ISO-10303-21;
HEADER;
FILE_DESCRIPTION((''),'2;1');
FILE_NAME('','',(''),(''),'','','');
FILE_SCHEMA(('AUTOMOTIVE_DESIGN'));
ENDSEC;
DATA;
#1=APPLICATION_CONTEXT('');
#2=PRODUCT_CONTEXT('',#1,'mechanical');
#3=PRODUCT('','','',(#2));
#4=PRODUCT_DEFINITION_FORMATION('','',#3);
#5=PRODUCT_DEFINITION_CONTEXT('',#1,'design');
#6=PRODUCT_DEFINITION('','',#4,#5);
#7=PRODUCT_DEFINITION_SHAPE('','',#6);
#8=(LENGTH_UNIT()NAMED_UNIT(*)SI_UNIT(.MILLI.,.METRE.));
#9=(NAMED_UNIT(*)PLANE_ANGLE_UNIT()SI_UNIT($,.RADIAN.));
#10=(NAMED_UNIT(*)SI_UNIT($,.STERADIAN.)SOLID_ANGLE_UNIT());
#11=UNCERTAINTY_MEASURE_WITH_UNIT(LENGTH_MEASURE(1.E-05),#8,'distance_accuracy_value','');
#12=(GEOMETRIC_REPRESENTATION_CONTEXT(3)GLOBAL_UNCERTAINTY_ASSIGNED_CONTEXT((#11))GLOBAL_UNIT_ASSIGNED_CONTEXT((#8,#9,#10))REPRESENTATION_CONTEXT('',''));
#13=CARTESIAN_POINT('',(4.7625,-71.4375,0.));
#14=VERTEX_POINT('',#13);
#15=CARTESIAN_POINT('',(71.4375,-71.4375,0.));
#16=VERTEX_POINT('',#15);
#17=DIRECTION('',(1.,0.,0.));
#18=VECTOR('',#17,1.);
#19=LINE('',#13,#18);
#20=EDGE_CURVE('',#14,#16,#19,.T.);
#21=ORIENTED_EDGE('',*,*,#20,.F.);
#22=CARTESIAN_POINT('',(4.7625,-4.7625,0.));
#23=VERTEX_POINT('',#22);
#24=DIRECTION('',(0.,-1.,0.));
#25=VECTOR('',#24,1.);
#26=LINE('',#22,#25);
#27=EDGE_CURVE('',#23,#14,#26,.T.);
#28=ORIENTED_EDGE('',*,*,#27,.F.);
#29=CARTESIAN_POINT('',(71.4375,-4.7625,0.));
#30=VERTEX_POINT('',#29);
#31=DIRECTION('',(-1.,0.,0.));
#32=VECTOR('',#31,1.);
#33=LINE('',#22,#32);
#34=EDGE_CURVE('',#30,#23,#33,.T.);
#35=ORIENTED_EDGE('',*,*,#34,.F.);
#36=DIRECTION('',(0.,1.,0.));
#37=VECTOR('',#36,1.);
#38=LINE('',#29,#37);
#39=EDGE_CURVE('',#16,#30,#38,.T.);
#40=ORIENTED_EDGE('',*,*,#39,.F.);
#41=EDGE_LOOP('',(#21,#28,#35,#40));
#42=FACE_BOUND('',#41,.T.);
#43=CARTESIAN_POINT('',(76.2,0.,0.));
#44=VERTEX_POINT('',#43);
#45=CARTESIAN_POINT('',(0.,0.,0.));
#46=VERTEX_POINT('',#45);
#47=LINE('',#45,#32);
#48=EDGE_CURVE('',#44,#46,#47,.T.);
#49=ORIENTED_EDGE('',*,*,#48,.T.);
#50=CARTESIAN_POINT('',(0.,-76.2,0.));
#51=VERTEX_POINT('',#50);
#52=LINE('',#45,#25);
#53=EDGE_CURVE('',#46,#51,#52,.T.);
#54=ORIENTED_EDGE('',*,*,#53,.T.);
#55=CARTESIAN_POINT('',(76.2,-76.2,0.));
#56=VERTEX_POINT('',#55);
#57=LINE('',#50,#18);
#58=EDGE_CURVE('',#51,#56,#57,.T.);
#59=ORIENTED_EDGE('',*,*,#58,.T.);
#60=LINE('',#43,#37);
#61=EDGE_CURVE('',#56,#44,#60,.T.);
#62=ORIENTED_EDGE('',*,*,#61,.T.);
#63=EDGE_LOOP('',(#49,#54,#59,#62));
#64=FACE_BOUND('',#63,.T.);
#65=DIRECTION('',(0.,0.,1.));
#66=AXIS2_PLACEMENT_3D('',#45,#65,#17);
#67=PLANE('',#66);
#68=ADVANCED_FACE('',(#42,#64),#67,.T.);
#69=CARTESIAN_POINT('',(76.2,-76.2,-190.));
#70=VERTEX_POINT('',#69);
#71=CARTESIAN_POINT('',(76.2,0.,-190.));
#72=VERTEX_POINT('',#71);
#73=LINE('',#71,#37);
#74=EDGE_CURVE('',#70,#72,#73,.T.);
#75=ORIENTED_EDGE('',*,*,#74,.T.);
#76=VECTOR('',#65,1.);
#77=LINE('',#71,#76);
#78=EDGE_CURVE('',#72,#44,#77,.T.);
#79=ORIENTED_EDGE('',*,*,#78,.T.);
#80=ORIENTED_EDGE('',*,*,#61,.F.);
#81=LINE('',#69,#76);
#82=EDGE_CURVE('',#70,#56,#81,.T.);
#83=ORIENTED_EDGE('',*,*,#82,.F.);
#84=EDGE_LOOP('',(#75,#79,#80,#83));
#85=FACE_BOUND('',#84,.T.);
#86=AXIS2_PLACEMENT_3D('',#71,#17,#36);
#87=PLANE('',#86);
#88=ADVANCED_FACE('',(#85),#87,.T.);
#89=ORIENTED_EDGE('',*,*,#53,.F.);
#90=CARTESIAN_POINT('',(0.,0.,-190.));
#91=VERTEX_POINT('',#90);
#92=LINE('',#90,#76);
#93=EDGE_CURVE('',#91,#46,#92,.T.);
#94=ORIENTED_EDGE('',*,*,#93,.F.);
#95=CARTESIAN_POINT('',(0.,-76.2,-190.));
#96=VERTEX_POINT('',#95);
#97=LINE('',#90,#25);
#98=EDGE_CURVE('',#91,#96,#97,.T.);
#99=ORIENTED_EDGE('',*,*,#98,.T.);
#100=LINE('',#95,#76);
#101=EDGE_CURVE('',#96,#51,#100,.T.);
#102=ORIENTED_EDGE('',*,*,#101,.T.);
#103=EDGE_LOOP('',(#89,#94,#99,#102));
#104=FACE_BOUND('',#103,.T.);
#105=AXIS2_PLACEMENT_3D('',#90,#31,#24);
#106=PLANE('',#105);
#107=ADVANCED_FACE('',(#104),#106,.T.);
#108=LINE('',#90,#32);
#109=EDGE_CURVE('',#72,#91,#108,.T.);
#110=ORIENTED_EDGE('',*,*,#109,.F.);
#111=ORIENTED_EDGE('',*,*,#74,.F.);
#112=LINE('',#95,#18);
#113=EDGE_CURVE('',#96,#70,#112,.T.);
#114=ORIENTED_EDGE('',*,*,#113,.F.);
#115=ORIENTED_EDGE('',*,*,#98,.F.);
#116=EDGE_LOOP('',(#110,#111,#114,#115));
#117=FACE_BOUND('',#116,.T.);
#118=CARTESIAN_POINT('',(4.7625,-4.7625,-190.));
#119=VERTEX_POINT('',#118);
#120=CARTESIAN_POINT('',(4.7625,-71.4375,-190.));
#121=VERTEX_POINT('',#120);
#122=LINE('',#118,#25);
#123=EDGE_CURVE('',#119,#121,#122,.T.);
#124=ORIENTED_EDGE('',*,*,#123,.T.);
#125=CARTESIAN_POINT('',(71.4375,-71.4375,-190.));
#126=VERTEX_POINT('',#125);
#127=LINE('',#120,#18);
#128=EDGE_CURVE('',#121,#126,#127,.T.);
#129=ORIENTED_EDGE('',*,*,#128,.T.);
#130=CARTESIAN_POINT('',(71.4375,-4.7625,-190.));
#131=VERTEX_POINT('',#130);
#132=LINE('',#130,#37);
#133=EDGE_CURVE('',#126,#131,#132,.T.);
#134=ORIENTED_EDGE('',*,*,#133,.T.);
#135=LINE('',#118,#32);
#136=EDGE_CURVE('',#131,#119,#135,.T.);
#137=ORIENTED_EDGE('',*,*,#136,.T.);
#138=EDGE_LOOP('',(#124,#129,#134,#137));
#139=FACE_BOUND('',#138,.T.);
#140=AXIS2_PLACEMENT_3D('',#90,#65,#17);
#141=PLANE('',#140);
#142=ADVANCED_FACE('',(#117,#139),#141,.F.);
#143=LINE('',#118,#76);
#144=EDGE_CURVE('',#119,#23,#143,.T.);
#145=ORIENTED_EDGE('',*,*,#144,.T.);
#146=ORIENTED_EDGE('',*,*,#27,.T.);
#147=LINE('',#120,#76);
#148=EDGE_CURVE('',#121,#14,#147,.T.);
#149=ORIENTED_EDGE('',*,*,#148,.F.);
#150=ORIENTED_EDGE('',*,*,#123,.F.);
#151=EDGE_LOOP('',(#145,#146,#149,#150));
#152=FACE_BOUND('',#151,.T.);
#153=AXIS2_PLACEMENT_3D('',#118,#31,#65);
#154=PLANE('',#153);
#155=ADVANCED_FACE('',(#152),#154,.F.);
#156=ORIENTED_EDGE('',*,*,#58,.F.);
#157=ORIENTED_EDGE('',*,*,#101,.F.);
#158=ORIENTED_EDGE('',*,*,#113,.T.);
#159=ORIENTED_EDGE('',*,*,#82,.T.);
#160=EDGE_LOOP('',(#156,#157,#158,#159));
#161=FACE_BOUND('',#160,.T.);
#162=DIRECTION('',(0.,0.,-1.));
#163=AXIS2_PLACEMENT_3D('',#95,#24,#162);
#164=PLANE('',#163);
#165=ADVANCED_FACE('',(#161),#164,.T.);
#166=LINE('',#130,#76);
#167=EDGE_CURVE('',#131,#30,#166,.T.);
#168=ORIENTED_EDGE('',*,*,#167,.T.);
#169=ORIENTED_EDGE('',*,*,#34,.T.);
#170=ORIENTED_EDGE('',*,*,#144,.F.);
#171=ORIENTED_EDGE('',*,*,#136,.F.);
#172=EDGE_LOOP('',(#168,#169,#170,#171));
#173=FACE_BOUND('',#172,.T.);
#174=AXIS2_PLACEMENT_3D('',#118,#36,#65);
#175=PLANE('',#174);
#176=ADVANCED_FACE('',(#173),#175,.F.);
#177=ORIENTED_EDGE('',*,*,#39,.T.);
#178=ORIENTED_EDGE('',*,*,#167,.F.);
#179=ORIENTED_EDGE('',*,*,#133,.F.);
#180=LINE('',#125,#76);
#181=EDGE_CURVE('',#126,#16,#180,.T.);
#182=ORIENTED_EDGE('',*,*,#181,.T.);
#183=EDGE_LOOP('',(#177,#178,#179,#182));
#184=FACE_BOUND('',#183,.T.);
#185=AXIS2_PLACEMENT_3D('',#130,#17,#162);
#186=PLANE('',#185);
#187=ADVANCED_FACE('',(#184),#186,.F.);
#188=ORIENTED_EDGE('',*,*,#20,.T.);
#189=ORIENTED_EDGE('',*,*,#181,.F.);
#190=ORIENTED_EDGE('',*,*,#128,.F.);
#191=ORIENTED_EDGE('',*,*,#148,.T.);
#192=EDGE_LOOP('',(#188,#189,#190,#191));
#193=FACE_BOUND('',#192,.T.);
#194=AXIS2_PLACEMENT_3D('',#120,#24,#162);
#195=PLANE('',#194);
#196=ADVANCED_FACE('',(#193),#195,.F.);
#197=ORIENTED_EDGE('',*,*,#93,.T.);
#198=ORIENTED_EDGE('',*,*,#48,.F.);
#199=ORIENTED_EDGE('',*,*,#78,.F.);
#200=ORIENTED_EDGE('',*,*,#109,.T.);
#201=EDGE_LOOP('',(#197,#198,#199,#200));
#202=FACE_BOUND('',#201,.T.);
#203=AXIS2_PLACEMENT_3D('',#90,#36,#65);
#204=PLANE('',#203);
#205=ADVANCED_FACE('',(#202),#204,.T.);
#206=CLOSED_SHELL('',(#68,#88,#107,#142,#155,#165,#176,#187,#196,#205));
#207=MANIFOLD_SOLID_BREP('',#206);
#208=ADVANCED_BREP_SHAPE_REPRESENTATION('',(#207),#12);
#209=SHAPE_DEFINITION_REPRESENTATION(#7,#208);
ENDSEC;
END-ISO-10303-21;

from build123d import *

# Parameters (mm, degrees)
CROQUIS2_W              = 76.2
CROQUIS2_H              = 76.2
CROQUIS2_W_2            = 66.675
CROQUIS2_H_2            = 66.675
SALIENTE_EXTRUIR1_DEPTH = 190


with BuildPart() as part:
    # Croquis2 → Saliente-Extruir1 (new body)
    with BuildSketch(Plane.XY):
        with Locations((38.1, -38.1)):
            Rectangle(CROQUIS2_W, CROQUIS2_H)
        with Locations((38.1, -38.1)):
            Rectangle(CROQUIS2_W_2, CROQUIS2_H_2, mode=Mode.SUBTRACT)
    extrude(amount=-SALIENTE_EXTRUIR1_DEPTH)


solid = part.part
